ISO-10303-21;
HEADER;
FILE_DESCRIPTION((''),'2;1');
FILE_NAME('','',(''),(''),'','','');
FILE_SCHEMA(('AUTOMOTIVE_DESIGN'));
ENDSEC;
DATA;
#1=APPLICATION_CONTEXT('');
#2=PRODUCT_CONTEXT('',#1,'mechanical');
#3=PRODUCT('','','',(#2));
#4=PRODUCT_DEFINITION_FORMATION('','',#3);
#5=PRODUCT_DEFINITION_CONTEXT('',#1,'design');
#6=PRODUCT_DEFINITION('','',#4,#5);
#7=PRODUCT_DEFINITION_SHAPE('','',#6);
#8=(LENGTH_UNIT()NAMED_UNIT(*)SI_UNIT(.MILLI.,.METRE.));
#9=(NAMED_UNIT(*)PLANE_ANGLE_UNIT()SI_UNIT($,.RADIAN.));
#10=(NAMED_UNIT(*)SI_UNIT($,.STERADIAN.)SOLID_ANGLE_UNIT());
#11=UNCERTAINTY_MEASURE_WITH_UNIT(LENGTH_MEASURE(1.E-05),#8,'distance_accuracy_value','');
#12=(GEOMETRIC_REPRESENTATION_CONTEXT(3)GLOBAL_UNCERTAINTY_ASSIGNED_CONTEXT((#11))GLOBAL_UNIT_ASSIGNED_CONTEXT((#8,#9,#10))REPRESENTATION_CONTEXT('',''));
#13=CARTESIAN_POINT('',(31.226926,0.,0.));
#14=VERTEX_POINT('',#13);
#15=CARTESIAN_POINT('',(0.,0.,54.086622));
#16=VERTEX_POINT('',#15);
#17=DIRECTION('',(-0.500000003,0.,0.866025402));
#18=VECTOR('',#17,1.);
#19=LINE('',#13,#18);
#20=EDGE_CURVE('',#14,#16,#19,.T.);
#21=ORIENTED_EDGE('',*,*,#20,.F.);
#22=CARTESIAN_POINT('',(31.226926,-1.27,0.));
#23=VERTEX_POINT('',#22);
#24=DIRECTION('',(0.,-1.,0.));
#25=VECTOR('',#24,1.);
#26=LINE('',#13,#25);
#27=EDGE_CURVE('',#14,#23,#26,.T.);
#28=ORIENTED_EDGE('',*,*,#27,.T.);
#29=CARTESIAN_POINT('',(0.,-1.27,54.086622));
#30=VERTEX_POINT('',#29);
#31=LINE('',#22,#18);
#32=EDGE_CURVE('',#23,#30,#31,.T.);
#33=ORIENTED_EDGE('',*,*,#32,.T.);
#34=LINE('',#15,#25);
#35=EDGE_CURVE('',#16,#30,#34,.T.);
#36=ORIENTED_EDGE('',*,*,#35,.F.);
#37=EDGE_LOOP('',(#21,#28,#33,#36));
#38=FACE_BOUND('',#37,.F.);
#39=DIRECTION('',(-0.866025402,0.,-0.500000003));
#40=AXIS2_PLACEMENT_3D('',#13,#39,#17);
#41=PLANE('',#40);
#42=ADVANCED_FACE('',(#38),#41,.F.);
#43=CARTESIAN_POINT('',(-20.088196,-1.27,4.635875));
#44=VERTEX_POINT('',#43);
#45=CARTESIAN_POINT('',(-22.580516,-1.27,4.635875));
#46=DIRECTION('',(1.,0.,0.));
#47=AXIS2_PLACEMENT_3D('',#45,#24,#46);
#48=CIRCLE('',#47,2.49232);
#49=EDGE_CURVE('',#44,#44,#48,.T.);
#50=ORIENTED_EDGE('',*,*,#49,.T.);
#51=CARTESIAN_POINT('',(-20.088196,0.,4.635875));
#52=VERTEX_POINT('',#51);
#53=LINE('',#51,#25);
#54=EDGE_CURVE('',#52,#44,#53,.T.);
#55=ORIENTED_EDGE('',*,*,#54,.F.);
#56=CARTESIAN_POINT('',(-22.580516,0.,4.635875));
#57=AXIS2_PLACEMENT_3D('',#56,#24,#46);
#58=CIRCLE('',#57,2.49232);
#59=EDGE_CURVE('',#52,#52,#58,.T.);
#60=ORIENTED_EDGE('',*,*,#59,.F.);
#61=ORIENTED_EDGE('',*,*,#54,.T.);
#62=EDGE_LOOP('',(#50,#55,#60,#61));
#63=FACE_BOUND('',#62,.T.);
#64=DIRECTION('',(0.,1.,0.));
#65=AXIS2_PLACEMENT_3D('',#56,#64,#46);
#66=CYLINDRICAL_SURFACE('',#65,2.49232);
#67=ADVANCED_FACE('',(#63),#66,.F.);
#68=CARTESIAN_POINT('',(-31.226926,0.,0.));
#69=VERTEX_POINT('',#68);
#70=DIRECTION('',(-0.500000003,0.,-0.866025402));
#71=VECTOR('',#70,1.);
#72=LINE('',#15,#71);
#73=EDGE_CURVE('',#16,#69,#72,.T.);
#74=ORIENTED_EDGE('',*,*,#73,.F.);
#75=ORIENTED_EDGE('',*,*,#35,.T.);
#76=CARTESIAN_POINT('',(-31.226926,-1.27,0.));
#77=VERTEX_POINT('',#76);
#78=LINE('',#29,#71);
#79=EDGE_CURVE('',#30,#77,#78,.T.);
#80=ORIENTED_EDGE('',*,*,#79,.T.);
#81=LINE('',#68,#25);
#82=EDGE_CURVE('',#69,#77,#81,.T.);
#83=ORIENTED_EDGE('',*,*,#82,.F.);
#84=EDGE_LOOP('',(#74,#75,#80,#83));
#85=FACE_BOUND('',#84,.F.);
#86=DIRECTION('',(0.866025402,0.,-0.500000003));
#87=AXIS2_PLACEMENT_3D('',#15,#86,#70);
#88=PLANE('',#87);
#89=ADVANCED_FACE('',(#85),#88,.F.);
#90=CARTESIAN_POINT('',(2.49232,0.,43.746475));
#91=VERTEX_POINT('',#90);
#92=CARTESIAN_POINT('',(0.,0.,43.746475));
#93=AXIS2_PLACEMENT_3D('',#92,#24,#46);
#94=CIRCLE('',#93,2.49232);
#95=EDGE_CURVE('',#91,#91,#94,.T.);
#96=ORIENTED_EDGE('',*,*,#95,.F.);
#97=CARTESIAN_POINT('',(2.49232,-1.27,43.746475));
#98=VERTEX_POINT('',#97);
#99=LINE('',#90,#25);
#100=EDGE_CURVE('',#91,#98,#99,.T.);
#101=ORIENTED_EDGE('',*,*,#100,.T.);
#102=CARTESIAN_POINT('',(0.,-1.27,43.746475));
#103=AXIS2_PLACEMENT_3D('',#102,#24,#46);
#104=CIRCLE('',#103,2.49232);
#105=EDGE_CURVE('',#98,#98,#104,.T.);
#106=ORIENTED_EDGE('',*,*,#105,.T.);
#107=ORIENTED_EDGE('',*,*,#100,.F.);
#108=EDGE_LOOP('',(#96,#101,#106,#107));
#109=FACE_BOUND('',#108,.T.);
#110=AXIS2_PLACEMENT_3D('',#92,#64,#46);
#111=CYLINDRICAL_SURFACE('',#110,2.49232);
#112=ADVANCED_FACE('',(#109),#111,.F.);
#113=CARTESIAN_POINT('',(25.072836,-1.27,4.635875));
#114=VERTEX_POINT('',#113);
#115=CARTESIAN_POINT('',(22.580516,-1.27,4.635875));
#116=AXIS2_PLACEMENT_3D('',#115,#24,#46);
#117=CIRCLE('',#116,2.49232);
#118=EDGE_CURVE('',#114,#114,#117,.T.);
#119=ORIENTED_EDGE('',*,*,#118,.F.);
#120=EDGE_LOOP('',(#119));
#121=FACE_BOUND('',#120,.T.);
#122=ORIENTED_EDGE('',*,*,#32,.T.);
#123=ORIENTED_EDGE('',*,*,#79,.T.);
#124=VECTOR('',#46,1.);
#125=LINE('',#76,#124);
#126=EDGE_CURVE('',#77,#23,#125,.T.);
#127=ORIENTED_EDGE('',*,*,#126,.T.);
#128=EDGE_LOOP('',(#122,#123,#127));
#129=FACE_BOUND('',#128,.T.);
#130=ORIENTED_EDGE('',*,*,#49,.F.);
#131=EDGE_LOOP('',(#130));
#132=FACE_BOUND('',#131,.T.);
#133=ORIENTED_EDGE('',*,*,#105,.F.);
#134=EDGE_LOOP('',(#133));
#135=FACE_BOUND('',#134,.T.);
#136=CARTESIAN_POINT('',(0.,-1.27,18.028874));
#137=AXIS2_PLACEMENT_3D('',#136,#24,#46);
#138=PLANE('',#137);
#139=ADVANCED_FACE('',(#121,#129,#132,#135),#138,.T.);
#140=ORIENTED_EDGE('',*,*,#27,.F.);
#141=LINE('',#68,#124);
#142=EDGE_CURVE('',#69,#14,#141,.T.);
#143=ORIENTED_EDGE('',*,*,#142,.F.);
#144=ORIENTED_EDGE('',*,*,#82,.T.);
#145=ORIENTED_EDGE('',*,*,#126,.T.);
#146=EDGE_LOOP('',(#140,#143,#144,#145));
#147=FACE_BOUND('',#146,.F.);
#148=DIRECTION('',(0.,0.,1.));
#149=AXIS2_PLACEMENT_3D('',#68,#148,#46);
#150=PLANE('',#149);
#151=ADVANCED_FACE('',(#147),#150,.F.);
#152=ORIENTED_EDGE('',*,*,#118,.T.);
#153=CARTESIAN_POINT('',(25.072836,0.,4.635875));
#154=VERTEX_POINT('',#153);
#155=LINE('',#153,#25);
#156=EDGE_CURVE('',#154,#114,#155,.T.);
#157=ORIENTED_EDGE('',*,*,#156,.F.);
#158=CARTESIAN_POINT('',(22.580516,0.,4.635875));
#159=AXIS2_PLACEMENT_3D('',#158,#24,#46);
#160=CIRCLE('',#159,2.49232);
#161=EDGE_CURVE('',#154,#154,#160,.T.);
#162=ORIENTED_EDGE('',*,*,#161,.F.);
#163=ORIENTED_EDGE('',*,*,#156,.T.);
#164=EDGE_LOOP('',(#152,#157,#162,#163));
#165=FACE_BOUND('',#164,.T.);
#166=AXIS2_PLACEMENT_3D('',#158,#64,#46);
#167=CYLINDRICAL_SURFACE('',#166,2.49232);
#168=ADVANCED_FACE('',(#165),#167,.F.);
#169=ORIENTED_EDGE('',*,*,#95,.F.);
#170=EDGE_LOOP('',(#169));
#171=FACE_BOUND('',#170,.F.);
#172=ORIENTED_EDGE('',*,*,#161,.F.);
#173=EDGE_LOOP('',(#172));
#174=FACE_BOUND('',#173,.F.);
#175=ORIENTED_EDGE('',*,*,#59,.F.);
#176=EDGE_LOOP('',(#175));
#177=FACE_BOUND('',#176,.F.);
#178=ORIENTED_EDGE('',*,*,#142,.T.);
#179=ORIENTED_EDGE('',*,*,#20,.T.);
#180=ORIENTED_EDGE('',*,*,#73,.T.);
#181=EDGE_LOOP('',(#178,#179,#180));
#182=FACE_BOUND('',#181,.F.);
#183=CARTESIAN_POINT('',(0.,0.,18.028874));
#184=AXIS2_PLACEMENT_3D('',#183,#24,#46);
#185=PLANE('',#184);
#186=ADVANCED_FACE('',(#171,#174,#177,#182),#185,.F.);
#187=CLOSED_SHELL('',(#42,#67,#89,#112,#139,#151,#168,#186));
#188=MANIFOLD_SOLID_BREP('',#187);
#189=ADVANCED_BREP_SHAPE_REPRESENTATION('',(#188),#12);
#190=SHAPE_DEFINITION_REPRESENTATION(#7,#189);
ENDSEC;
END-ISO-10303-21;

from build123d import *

# Parameters (mm, degrees)
F0_R     = 2.49232
F1_DEPTH = 1.27


with BuildPart() as f1:
    # F0 (on Front) → F1 (new body)
    with BuildSketch(Plane.XZ):
        Polygon((0, 54.086622), (-31.226926, 0), (31.226926, 0), align=None)
        with Locations((-22.580516, 4.635875)):
            Circle(F0_R, mode=Mode.SUBTRACT)
        with Locations((22.580516, 4.635875)):
            Circle(F0_R, mode=Mode.SUBTRACT)
        with Locations((0, 43.746475)):
            Circle(F0_R, mode=Mode.SUBTRACT)
    extrude(amount=F1_DEPTH)


solid = f1.part
